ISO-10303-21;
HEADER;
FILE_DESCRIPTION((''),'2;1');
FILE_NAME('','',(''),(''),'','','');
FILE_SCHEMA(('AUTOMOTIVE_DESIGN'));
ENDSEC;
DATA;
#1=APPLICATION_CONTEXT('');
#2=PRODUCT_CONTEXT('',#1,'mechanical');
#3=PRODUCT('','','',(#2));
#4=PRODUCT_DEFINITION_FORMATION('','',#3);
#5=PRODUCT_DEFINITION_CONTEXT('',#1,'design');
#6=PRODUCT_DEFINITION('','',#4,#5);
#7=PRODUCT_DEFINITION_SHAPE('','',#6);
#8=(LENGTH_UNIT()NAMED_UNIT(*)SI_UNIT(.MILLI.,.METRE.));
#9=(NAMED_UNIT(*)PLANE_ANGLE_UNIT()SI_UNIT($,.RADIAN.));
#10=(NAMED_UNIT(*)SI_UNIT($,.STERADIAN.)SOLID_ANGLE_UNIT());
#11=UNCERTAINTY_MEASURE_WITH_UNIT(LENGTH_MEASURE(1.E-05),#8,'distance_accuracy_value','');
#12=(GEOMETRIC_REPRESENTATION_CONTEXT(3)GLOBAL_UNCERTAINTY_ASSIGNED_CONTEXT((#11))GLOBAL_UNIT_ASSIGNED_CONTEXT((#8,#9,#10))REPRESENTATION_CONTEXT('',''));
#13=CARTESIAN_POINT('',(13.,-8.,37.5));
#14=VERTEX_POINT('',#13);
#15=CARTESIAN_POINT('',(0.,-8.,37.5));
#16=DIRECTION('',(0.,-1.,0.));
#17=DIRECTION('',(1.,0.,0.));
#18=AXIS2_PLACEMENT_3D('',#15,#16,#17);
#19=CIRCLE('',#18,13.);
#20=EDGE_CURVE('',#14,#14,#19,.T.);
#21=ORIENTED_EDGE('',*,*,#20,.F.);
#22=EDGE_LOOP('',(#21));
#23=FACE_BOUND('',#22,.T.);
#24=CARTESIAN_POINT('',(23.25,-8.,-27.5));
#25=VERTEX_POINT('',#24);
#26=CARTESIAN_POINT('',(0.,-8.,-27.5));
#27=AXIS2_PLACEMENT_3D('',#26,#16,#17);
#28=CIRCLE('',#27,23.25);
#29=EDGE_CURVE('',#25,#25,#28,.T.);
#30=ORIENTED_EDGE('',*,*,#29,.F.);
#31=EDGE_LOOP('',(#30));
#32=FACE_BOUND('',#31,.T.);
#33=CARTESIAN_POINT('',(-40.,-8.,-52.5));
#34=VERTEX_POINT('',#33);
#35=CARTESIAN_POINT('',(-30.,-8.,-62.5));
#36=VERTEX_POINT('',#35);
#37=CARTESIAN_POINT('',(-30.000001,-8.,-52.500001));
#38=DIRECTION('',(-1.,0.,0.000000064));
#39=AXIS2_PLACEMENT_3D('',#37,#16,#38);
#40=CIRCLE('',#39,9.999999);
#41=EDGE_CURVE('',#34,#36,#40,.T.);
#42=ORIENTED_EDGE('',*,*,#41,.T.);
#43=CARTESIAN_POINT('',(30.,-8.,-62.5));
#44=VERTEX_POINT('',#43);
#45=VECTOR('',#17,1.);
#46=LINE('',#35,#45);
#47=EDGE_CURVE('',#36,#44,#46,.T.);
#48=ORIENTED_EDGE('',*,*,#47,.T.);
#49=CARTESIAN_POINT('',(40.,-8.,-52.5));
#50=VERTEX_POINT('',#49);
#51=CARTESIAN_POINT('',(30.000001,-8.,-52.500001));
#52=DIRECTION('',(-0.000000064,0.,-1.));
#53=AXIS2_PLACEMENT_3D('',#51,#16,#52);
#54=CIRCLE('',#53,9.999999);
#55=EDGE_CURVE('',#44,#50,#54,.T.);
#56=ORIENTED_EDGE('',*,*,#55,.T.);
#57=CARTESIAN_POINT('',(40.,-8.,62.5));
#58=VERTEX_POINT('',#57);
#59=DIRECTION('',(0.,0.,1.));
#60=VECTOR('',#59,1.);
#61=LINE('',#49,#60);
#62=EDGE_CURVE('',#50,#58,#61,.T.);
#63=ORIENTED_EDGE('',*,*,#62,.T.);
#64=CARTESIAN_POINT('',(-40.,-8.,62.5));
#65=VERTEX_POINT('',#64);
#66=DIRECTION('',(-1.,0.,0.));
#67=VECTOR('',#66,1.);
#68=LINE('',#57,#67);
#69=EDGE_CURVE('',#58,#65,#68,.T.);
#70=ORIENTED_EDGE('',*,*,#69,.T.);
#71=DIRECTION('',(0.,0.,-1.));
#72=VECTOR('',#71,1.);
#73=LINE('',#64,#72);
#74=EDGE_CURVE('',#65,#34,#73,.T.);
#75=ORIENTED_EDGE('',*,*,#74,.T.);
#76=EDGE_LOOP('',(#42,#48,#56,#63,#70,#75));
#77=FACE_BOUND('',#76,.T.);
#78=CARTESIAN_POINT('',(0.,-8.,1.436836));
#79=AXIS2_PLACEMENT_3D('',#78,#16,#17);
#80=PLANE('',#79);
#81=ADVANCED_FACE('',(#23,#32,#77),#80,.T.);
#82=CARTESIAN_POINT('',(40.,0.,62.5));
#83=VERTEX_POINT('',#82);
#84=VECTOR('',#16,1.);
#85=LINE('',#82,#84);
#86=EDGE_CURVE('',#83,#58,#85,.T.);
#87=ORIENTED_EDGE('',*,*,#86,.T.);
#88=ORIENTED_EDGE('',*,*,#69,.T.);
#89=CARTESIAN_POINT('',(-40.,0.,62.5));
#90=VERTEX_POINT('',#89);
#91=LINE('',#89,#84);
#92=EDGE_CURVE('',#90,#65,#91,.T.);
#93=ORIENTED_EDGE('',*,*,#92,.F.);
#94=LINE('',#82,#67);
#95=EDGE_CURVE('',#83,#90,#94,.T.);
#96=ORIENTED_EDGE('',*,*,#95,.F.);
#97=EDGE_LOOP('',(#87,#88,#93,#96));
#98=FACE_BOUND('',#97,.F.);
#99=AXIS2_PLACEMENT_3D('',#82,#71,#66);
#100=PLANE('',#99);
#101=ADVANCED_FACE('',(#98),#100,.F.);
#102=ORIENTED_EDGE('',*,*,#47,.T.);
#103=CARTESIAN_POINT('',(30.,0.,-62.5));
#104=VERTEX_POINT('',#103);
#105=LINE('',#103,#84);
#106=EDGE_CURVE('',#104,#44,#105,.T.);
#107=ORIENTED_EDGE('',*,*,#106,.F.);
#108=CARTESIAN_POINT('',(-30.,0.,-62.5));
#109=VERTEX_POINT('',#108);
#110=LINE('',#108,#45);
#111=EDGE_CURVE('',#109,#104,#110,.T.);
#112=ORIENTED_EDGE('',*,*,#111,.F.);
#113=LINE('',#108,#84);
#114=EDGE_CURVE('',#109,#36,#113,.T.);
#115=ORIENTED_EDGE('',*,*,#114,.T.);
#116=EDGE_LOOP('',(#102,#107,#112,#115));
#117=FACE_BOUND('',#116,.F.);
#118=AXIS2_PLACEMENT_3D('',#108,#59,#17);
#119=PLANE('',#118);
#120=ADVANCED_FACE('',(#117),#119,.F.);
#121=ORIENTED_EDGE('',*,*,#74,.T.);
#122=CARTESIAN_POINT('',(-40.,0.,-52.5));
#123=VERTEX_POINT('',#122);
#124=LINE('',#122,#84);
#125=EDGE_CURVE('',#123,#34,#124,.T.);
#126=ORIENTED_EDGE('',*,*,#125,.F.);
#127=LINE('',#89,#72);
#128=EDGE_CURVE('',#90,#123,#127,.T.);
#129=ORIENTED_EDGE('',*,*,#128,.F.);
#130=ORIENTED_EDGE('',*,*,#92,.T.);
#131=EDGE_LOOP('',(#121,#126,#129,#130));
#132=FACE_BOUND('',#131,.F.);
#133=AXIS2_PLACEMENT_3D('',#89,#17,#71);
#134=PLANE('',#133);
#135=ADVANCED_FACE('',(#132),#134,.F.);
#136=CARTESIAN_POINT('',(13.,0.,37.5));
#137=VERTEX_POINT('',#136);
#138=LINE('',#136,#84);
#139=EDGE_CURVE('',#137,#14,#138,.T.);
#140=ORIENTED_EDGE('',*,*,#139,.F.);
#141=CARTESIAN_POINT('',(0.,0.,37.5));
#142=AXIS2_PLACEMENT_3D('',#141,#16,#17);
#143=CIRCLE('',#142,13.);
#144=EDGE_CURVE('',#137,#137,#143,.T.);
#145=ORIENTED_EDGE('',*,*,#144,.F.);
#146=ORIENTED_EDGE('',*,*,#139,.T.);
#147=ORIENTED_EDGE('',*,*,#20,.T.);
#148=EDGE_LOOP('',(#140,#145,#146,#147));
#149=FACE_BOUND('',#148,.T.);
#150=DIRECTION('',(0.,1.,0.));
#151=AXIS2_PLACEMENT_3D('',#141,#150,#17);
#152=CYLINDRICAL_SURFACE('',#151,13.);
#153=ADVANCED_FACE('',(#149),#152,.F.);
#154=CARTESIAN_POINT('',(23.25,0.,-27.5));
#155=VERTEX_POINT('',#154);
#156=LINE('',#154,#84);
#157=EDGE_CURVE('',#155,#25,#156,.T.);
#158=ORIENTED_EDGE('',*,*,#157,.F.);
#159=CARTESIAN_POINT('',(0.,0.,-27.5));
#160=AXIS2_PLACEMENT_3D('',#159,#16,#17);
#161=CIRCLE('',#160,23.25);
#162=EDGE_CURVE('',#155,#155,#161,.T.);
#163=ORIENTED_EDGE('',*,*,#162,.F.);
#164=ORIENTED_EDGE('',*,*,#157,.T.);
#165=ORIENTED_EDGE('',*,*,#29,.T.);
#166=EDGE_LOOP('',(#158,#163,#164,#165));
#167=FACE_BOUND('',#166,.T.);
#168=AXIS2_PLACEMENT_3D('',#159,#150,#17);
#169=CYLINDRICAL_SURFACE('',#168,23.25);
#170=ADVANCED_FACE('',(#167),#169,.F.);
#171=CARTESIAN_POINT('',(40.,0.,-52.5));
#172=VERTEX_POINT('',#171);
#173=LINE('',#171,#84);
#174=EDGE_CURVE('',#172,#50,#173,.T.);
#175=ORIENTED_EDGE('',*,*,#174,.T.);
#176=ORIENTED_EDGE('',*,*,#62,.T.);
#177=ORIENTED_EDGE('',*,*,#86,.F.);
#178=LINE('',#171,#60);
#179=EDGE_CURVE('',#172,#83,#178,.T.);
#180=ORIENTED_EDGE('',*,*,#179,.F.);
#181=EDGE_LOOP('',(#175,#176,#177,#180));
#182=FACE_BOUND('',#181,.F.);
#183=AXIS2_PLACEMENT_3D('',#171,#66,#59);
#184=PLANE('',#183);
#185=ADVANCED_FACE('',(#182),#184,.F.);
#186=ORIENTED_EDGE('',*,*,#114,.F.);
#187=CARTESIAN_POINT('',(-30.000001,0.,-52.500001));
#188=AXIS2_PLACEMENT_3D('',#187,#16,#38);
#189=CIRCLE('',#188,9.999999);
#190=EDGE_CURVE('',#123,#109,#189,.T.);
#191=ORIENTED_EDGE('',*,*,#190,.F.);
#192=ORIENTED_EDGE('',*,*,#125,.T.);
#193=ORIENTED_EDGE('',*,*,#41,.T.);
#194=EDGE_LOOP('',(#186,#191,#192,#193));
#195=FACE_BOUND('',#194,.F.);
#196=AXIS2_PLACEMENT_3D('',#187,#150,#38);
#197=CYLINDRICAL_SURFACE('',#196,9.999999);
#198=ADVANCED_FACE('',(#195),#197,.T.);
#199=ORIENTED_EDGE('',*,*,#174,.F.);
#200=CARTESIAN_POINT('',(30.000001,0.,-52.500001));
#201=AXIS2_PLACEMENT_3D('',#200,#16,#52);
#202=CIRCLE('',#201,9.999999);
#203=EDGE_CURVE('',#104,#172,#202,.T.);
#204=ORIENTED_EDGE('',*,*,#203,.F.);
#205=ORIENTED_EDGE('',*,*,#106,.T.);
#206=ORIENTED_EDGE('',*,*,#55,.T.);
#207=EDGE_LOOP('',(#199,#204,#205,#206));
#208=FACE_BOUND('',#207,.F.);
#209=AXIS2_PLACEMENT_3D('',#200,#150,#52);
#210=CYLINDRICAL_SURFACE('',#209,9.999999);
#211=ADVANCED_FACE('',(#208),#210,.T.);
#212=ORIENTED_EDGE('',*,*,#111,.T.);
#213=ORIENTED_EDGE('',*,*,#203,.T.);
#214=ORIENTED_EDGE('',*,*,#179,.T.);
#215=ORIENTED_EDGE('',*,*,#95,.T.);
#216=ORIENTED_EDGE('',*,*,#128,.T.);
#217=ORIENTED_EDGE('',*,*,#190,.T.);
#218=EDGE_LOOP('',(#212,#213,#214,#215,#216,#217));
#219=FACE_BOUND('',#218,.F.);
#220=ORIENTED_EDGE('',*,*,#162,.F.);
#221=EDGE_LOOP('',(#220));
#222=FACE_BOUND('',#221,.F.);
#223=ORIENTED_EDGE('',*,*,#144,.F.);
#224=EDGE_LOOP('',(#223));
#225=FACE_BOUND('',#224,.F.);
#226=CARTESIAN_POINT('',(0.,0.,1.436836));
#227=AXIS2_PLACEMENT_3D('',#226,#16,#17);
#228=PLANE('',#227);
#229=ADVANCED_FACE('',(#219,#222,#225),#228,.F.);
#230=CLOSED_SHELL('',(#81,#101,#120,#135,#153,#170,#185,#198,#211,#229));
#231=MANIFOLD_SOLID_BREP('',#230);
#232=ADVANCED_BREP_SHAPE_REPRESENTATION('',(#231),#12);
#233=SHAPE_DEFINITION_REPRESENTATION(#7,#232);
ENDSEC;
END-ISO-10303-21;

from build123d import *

# Parameters (mm, degrees)
F0_R     = 23.25
F0_R_2   = 13
F1_DEPTH = 8


with BuildPart() as f1:
    # F0 (on Front) → F1 (new body)
    with BuildSketch(Plane.XZ):
        with BuildLine():
            Line((40, -52.5), (40, 62.5))
            Line((40, 62.5), (-40, 62.5))
            Line((-40, 62.5), (-40, -52.5))
            ThreePointArc((-40, -52.5), (-37.071068, -59.571068), (-30, -62.5))
            Line((-30, -62.5), (30, -62.5))
            ThreePointArc((30, -62.5), (37.071068, -59.571068), (40, -52.5))
        make_face()
        with Locations((0, -27.5)):
            Circle(F0_R, mode=Mode.SUBTRACT)
        with Locations((0, 37.5)):
            Circle(F0_R_2, mode=Mode.SUBTRACT)
    extrude(amount=F1_DEPTH)


solid = f1.part
